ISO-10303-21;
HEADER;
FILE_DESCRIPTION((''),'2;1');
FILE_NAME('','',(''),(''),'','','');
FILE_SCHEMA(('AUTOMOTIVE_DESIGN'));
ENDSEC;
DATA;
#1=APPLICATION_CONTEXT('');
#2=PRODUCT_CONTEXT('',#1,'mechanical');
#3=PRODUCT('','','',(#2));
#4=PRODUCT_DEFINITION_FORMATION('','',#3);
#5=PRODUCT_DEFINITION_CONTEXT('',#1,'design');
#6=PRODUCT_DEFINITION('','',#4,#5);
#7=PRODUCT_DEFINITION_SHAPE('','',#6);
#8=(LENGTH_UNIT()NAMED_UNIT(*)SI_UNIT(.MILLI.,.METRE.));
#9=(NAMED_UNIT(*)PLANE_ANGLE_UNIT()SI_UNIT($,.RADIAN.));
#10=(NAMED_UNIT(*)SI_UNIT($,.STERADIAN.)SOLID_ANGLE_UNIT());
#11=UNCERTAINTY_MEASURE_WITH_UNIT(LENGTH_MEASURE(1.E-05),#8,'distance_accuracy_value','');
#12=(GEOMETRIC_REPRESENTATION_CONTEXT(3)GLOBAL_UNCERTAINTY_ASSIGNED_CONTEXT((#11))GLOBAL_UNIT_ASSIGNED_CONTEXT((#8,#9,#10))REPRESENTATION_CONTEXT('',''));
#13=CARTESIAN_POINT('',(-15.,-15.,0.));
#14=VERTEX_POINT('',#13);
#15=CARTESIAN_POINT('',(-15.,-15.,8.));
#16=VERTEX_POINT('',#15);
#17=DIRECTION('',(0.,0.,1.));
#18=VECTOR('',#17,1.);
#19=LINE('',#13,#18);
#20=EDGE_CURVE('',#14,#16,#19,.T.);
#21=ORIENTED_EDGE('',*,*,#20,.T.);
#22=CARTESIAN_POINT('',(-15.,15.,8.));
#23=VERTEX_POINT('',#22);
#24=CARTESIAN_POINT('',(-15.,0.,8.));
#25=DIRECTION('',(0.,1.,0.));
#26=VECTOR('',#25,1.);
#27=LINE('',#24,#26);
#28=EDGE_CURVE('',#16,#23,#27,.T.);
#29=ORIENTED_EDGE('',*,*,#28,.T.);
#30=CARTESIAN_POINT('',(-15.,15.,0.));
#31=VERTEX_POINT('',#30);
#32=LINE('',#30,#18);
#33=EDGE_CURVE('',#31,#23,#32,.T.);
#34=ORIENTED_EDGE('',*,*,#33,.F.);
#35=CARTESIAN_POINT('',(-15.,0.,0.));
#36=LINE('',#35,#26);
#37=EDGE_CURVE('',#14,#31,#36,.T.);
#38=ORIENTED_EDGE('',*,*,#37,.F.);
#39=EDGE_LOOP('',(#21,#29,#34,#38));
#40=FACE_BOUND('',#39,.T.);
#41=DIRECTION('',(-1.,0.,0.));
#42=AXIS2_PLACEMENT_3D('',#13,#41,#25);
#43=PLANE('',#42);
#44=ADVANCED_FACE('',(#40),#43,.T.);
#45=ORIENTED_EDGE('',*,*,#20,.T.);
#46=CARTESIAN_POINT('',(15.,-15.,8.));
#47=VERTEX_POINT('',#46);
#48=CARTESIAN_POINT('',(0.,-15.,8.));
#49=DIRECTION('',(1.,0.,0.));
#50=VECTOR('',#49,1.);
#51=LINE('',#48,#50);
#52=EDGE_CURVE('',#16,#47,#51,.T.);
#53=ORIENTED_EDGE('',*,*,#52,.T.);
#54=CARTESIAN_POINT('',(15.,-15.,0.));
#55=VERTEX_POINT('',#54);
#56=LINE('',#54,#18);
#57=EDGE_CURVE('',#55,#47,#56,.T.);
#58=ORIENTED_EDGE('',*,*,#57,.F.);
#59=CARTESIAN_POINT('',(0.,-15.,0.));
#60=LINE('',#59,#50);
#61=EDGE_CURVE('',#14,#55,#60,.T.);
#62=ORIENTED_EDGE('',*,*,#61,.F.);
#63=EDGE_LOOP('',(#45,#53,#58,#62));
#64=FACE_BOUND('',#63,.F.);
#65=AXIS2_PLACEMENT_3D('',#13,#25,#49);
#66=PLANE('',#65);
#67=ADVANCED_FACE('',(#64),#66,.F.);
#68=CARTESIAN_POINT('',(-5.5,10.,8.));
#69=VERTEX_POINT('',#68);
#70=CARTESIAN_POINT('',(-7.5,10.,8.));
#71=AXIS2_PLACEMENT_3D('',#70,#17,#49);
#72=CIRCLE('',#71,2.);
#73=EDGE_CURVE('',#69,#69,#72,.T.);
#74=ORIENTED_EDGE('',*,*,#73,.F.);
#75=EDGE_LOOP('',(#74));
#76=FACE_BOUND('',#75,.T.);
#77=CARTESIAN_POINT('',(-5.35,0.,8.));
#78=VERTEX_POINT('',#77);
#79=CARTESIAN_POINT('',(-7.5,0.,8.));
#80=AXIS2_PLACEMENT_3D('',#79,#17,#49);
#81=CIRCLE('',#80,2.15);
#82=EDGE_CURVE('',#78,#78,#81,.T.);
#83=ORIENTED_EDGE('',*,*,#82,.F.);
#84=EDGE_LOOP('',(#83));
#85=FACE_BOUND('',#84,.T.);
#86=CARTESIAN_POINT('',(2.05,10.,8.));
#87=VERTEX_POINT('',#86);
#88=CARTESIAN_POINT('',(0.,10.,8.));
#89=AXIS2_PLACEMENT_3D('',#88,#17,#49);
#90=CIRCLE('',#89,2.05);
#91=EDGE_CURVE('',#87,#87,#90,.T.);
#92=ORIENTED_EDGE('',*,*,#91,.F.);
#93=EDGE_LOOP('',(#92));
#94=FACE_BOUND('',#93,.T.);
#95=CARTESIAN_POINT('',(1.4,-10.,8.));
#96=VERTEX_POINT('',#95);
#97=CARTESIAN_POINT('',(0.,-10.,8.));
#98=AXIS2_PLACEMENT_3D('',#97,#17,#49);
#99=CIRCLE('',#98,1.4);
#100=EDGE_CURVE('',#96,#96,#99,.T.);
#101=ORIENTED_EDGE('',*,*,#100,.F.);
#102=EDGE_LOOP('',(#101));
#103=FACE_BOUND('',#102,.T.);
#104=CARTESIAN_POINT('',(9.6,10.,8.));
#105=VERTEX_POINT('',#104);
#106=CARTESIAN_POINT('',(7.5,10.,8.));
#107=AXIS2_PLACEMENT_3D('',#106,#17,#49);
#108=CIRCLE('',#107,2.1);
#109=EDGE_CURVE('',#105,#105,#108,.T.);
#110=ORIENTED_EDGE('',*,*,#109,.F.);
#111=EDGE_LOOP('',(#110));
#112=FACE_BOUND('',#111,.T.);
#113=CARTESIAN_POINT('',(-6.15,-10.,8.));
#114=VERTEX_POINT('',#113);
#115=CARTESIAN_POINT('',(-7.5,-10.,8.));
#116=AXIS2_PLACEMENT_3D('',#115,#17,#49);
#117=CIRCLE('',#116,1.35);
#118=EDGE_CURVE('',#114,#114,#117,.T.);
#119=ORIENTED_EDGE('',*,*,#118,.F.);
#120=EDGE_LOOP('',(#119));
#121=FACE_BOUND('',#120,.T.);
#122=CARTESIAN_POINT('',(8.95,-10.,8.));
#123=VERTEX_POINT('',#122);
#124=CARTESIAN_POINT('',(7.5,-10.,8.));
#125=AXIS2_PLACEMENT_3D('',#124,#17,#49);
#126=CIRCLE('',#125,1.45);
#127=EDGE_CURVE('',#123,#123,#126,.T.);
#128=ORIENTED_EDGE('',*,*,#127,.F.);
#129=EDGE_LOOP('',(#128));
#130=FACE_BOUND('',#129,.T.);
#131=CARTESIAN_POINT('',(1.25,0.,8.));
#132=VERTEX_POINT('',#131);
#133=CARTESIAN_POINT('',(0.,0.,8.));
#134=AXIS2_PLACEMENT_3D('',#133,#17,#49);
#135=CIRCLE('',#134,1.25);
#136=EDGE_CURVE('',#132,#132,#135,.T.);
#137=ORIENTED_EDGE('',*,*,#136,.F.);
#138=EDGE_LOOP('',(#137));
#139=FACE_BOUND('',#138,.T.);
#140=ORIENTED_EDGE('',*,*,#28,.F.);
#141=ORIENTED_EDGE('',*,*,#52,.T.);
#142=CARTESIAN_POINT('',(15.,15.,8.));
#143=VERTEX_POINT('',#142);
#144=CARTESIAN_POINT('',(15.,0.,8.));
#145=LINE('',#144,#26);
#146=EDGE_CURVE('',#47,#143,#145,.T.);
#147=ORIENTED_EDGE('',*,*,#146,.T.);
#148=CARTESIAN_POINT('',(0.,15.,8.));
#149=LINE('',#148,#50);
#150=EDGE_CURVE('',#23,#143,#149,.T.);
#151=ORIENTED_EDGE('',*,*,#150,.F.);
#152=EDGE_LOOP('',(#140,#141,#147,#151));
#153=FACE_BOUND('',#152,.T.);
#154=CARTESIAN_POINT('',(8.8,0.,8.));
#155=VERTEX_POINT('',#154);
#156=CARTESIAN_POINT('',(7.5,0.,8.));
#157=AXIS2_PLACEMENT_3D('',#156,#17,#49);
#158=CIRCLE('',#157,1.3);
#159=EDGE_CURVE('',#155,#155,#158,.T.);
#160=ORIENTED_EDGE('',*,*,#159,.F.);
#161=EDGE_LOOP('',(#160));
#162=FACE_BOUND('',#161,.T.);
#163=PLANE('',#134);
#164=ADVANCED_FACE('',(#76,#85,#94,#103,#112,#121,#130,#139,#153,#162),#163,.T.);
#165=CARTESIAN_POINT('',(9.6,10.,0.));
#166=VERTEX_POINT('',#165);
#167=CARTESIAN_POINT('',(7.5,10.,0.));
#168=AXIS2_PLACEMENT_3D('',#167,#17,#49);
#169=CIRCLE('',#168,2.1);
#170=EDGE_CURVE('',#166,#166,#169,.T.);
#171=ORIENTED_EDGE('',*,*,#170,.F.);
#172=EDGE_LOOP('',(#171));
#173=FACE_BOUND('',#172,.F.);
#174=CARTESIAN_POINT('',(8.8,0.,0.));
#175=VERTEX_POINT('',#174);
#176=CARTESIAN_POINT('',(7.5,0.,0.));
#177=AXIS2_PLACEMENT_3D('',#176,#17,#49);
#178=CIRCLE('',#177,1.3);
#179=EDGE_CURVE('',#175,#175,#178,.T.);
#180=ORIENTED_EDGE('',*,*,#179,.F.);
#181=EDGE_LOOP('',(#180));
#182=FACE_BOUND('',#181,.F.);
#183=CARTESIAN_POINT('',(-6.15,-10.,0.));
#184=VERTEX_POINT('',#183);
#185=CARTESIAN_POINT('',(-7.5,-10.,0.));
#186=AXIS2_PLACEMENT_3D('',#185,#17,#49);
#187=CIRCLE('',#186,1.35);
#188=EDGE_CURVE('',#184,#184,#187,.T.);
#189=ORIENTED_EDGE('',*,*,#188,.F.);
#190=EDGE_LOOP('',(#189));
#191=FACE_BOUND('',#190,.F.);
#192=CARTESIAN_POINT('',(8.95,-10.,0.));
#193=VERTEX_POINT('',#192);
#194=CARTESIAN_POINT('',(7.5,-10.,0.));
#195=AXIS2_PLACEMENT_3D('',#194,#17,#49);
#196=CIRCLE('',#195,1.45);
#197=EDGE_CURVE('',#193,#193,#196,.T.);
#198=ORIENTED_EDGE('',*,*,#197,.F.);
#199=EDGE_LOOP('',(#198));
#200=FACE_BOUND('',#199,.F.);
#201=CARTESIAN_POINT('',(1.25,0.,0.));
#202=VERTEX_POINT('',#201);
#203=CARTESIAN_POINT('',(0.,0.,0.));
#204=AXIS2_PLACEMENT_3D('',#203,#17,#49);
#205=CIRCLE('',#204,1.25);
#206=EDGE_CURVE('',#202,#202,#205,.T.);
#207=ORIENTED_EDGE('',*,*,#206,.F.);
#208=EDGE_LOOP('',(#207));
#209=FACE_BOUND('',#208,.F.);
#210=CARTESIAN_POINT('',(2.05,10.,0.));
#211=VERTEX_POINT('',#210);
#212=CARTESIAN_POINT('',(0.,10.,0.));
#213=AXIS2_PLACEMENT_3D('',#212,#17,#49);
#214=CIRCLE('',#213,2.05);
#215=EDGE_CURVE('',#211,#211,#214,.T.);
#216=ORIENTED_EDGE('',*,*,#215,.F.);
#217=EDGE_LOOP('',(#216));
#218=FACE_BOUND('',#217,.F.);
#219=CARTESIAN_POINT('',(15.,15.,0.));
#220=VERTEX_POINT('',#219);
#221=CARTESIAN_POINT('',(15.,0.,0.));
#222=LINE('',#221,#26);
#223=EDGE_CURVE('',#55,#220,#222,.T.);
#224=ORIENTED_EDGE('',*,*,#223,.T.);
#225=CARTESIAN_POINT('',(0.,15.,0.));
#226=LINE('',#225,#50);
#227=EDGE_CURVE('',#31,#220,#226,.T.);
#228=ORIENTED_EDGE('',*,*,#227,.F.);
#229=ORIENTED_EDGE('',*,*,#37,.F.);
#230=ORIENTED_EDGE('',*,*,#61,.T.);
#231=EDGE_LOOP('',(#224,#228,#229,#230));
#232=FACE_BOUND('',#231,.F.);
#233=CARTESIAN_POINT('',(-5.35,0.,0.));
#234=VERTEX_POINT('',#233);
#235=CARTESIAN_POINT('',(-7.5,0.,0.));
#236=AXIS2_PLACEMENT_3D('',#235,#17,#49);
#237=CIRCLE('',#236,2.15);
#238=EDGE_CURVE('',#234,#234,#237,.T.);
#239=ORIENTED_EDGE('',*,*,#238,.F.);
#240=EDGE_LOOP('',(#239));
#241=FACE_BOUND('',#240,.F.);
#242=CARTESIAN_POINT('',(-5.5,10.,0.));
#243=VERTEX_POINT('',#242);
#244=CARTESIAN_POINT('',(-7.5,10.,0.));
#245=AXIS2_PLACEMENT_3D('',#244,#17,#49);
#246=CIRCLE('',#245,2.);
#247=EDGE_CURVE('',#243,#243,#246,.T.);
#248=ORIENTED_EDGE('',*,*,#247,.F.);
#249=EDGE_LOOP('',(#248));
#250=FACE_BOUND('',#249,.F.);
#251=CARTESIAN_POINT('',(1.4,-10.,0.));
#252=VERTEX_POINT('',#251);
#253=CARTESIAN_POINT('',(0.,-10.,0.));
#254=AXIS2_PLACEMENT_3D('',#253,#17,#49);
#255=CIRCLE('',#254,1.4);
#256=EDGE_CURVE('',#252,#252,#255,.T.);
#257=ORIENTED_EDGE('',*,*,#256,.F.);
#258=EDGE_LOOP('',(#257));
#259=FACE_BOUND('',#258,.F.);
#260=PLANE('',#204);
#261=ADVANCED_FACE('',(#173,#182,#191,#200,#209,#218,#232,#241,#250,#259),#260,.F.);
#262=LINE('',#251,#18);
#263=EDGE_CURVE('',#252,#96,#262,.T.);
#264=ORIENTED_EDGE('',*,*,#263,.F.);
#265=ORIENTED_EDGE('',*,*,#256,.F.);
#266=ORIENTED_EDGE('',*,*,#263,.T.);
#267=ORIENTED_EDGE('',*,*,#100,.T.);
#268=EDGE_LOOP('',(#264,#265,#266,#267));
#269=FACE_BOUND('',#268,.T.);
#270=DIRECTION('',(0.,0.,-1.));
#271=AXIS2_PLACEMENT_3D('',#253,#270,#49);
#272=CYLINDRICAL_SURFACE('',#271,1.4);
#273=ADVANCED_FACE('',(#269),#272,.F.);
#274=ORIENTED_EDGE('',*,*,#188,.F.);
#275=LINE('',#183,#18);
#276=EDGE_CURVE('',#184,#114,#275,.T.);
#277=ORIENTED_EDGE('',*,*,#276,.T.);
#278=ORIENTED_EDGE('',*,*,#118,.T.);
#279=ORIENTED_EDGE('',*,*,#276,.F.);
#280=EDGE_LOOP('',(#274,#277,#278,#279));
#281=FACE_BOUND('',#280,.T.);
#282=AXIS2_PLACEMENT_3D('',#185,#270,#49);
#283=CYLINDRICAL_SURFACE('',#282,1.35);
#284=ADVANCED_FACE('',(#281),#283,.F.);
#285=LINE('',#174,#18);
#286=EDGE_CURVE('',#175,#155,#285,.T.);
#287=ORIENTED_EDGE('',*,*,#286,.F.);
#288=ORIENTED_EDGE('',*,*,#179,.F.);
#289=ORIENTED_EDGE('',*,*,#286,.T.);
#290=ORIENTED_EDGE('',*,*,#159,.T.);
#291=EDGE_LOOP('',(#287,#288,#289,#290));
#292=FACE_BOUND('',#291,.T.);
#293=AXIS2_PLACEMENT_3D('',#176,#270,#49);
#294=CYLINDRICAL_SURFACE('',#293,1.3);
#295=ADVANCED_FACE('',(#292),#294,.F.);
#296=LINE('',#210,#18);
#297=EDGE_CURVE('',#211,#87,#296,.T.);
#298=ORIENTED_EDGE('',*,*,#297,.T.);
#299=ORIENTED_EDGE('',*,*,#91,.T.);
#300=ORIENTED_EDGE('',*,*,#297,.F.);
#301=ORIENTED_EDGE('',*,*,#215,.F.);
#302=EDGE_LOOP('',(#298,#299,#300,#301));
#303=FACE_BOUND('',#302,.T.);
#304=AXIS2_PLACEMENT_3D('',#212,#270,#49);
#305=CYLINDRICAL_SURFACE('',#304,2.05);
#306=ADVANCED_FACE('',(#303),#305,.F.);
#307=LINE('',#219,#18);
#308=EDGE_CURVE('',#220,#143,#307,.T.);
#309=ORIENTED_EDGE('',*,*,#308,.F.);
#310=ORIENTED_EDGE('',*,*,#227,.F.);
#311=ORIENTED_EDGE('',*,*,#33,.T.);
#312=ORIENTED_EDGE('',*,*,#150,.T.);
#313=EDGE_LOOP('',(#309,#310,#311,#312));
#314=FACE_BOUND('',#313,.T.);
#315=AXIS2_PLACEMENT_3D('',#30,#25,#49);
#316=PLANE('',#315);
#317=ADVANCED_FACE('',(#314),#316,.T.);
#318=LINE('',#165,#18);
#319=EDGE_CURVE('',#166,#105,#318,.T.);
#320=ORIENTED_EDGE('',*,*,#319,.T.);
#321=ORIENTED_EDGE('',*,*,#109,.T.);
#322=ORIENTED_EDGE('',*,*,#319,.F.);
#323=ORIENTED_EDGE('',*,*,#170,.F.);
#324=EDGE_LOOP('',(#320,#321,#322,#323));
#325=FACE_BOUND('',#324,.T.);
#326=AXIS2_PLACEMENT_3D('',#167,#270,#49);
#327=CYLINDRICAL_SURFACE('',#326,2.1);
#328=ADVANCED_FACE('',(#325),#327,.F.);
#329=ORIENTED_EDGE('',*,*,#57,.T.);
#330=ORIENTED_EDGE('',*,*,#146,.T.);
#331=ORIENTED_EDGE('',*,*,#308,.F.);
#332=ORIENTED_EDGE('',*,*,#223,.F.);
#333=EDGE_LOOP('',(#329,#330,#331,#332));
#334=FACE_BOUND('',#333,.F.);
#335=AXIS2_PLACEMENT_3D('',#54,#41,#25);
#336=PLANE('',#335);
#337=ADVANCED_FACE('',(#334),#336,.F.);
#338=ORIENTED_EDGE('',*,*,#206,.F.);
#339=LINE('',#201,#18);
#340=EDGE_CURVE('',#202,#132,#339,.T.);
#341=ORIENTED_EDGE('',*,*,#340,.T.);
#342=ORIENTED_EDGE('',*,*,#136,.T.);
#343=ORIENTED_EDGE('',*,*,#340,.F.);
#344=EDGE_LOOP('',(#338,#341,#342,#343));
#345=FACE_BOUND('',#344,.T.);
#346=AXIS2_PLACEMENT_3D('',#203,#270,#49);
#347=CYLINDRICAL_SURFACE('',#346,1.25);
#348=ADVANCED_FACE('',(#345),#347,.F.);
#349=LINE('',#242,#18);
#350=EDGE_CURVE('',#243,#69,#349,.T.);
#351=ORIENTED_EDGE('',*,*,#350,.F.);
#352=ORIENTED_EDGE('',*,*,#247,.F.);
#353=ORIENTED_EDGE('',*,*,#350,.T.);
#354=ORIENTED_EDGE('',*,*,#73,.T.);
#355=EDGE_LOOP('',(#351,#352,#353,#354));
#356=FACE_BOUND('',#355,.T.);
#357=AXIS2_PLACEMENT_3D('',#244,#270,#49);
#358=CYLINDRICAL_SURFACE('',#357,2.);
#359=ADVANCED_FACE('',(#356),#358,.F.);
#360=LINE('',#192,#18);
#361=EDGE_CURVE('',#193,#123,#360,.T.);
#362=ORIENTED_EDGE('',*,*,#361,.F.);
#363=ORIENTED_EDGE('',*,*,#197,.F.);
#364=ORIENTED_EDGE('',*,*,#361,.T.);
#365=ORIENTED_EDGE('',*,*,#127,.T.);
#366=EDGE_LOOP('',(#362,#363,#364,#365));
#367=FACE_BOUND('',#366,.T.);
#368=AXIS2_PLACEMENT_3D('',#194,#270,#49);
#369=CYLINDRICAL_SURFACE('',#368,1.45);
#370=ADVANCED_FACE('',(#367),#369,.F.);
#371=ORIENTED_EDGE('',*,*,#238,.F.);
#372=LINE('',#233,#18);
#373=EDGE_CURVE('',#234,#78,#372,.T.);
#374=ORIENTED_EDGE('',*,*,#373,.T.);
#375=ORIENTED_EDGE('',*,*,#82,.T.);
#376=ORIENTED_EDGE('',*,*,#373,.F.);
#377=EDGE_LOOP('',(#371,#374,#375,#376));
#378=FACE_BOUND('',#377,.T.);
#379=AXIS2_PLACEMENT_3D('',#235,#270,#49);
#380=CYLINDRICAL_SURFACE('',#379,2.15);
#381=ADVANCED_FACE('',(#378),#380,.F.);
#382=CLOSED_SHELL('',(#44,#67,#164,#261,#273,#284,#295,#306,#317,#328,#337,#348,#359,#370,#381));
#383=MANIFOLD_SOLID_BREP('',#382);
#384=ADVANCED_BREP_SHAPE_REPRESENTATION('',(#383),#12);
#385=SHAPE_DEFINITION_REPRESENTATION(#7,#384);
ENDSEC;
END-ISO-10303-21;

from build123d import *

# Parameters (mm, degrees)
SKETCH_W   = 30
SKETCH_H   = 30
SKETCH_R   = 2
SKETCH_R_2 = 2.05
SKETCH_R_3 = 2.1
SKETCH_R_4 = 2.15
SKETCH_R_5 = 1.25
SKETCH_R_6 = 1.45
SKETCH_R_7 = 1.4
SKETCH_R_8 = 1.35
SKETCH_R_9 = 1.3
PAD_DEPTH  = 8


with BuildPart() as part:
    # Sketch → Pad (new body)
    with BuildSketch(Plane.XY):
        Rectangle(SKETCH_W, SKETCH_H)
        with Locations((-7.5, 10)):
            Circle(SKETCH_R, mode=Mode.SUBTRACT)
        with Locations((0, 10)):
            Circle(SKETCH_R_2, mode=Mode.SUBTRACT)
        with Locations((7.5, 10)):
            Circle(SKETCH_R_3, mode=Mode.SUBTRACT)
        with Locations((-7.5, 0)):
            Circle(SKETCH_R_4, mode=Mode.SUBTRACT)
        Circle(SKETCH_R_5, mode=Mode.SUBTRACT)
        with Locations((7.5, -10)):
            Circle(SKETCH_R_6, mode=Mode.SUBTRACT)
        with Locations((0, -10)):
            Circle(SKETCH_R_7, mode=Mode.SUBTRACT)
        with Locations((-7.5, -10)):
            Circle(SKETCH_R_8, mode=Mode.SUBTRACT)
        with Locations((7.5, 0)):
            Circle(SKETCH_R_9, mode=Mode.SUBTRACT)
    extrude(amount=PAD_DEPTH)


solid = part.part
